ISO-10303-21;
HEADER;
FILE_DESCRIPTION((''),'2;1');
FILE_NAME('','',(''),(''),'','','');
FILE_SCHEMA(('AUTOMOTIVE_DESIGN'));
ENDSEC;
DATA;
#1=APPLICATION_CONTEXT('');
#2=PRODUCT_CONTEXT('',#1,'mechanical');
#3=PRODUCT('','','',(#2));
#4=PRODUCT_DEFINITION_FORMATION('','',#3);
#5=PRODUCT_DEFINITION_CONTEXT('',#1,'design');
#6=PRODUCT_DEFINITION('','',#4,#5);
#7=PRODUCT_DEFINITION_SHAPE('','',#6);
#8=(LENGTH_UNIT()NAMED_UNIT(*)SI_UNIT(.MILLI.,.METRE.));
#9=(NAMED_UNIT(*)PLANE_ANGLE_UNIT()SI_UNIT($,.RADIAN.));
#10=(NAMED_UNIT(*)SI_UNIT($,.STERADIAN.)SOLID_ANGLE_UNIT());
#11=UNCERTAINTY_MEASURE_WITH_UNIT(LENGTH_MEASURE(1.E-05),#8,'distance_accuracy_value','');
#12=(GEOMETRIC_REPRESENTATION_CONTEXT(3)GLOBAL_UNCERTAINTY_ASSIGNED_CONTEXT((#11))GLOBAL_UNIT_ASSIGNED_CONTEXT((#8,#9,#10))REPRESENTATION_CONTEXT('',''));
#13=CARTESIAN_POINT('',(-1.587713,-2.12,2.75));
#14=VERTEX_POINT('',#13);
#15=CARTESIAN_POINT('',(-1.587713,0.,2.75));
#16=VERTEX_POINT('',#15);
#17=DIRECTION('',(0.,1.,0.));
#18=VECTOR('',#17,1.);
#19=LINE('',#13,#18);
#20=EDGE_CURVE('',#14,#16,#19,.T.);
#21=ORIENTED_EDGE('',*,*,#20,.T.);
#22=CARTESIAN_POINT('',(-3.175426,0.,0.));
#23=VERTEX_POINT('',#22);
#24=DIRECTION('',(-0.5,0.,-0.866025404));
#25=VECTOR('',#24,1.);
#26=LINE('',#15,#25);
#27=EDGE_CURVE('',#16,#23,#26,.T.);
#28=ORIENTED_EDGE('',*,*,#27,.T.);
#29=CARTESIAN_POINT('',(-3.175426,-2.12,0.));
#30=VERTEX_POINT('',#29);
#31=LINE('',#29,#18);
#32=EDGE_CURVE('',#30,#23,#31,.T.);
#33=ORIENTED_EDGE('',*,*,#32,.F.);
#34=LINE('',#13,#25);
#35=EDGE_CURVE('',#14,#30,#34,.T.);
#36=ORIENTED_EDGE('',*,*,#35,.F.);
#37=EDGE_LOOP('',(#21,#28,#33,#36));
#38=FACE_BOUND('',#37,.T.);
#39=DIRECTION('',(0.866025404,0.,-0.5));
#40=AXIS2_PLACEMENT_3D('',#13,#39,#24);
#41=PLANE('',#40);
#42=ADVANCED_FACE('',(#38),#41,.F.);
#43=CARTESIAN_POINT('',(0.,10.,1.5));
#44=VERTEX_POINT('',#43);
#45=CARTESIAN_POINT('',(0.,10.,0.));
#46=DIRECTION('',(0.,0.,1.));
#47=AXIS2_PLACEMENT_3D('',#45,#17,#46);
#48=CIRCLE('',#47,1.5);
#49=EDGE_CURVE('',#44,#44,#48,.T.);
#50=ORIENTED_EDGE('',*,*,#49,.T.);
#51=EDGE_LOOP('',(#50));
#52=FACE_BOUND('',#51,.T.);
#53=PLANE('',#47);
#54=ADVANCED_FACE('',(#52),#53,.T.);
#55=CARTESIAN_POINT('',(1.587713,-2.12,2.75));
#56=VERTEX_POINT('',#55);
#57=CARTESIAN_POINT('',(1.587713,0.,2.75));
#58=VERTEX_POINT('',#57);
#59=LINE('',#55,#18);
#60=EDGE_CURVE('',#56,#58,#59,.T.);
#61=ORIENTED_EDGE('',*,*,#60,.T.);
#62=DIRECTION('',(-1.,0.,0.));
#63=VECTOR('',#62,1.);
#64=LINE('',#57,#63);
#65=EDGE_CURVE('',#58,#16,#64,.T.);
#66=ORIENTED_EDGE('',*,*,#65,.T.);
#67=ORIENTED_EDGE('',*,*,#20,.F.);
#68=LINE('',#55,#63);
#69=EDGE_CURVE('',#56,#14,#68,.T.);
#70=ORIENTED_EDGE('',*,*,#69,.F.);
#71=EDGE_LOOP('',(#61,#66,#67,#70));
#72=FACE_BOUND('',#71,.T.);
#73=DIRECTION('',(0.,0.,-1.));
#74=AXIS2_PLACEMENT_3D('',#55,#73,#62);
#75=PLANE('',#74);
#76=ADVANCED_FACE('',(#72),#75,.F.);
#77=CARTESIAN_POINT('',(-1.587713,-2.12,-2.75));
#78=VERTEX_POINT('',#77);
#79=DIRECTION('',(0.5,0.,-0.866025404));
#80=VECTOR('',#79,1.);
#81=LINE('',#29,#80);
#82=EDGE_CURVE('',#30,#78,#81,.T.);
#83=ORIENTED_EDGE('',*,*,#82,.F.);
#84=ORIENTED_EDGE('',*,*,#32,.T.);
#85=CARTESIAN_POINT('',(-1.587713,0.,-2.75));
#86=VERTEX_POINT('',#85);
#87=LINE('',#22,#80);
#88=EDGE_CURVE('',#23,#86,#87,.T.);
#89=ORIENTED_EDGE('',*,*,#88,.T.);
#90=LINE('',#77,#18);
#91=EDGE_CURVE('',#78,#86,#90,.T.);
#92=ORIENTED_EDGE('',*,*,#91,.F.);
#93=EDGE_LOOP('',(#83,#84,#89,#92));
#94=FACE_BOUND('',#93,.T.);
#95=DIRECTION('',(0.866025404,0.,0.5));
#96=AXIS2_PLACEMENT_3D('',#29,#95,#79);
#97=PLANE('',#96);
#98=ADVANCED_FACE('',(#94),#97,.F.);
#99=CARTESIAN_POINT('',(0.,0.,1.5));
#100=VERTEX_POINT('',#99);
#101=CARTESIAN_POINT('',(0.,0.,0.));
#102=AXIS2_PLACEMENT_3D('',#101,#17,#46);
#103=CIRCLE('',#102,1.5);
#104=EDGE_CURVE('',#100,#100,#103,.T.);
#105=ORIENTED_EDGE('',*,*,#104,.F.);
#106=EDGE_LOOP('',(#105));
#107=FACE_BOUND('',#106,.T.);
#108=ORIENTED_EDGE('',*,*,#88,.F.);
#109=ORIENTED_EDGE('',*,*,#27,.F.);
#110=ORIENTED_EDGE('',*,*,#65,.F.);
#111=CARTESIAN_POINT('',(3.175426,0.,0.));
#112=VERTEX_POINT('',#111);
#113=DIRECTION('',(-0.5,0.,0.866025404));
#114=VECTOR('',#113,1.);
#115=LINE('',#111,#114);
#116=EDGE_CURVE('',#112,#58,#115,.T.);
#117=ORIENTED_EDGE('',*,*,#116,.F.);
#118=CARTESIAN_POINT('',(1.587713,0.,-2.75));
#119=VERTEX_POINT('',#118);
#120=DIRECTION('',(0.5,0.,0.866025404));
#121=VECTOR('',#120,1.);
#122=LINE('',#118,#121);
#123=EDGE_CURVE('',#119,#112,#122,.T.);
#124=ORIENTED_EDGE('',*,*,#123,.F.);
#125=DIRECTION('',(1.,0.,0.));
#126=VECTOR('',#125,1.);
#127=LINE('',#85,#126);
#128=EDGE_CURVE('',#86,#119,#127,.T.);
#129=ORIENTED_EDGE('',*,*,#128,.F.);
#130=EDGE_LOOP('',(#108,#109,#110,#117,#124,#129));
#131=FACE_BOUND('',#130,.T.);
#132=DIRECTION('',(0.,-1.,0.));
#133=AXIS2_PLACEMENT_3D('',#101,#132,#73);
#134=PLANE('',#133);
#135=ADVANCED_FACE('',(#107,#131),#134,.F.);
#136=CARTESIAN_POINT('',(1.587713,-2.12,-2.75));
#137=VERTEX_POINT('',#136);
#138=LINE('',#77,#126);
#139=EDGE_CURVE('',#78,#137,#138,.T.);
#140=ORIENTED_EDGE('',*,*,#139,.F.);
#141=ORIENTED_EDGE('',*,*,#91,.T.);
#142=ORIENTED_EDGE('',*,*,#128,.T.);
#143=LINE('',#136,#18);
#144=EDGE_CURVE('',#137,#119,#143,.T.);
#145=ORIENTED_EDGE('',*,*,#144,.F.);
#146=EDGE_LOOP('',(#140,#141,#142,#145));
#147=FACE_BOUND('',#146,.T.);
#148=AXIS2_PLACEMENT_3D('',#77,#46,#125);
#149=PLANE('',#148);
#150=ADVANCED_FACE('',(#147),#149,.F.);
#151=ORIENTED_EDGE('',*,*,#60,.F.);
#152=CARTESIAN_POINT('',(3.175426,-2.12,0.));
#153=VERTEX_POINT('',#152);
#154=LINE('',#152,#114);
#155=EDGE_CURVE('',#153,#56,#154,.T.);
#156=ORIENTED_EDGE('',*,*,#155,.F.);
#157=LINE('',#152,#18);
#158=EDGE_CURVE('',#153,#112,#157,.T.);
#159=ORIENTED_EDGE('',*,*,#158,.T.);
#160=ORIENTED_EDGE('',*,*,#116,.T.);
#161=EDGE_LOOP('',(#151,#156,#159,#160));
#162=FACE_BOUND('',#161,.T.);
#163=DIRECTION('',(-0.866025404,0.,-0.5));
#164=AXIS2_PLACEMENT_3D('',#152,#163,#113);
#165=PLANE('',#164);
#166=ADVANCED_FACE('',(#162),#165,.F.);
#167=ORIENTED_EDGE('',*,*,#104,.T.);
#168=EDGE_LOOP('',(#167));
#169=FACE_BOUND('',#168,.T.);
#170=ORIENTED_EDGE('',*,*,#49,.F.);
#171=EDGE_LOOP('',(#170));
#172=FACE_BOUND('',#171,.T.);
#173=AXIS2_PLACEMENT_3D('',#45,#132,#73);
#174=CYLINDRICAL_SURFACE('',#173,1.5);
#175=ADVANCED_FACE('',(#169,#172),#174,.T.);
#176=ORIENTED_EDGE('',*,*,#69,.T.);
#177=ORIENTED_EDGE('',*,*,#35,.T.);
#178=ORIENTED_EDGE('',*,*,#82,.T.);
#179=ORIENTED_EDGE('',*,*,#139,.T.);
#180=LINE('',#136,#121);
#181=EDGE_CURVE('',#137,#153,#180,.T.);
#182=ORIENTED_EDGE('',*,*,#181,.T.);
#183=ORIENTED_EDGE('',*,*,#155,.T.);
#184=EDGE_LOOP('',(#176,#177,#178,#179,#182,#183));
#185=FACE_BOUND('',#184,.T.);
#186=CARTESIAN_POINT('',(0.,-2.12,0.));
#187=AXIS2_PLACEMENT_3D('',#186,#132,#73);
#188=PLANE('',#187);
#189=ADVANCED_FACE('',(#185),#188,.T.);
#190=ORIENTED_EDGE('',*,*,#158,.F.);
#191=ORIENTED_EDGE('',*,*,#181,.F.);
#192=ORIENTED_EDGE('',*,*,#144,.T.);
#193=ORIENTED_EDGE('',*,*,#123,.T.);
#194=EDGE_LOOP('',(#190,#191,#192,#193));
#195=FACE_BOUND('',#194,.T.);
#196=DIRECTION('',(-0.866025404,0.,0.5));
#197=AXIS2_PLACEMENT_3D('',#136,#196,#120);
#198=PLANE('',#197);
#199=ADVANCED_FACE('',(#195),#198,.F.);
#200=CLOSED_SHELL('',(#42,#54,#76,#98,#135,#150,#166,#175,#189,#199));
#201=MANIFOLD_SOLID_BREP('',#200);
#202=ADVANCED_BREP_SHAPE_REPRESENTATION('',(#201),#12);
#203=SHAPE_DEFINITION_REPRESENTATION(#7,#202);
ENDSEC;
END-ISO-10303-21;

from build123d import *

# Parameters (mm, degrees)
SKETCH_1_R      = 1.5
EXTRUDE_1_DEPTH = 10
EXTRUDE_2_DEPTH = 2.12


with BuildPart() as part:
    # 草图1 → 凸台-拉伸1 (new body)
    with BuildSketch(Plane(origin=(0, 0, 0), x_dir=(1, 0, 0), z_dir=(0, 1, 0))):
        with Locations(Location((0, 0, 0), (0, 0, 270))):
            Circle(SKETCH_1_R)
    extrude(amount=EXTRUDE_1_DEPTH)

    # 草图3 → 凸台-拉伸2 (add)
    with BuildSketch(Plane.XZ):
        Polygon((3.175426481, 0), (1.58771324, 2.75), (-1.58771324, 2.75), (-3.175426481, 0), (-1.58771324, -2.75), (1.58771324, -2.75), align=None)
    extrude(amount=EXTRUDE_2_DEPTH)


solid = part.part
